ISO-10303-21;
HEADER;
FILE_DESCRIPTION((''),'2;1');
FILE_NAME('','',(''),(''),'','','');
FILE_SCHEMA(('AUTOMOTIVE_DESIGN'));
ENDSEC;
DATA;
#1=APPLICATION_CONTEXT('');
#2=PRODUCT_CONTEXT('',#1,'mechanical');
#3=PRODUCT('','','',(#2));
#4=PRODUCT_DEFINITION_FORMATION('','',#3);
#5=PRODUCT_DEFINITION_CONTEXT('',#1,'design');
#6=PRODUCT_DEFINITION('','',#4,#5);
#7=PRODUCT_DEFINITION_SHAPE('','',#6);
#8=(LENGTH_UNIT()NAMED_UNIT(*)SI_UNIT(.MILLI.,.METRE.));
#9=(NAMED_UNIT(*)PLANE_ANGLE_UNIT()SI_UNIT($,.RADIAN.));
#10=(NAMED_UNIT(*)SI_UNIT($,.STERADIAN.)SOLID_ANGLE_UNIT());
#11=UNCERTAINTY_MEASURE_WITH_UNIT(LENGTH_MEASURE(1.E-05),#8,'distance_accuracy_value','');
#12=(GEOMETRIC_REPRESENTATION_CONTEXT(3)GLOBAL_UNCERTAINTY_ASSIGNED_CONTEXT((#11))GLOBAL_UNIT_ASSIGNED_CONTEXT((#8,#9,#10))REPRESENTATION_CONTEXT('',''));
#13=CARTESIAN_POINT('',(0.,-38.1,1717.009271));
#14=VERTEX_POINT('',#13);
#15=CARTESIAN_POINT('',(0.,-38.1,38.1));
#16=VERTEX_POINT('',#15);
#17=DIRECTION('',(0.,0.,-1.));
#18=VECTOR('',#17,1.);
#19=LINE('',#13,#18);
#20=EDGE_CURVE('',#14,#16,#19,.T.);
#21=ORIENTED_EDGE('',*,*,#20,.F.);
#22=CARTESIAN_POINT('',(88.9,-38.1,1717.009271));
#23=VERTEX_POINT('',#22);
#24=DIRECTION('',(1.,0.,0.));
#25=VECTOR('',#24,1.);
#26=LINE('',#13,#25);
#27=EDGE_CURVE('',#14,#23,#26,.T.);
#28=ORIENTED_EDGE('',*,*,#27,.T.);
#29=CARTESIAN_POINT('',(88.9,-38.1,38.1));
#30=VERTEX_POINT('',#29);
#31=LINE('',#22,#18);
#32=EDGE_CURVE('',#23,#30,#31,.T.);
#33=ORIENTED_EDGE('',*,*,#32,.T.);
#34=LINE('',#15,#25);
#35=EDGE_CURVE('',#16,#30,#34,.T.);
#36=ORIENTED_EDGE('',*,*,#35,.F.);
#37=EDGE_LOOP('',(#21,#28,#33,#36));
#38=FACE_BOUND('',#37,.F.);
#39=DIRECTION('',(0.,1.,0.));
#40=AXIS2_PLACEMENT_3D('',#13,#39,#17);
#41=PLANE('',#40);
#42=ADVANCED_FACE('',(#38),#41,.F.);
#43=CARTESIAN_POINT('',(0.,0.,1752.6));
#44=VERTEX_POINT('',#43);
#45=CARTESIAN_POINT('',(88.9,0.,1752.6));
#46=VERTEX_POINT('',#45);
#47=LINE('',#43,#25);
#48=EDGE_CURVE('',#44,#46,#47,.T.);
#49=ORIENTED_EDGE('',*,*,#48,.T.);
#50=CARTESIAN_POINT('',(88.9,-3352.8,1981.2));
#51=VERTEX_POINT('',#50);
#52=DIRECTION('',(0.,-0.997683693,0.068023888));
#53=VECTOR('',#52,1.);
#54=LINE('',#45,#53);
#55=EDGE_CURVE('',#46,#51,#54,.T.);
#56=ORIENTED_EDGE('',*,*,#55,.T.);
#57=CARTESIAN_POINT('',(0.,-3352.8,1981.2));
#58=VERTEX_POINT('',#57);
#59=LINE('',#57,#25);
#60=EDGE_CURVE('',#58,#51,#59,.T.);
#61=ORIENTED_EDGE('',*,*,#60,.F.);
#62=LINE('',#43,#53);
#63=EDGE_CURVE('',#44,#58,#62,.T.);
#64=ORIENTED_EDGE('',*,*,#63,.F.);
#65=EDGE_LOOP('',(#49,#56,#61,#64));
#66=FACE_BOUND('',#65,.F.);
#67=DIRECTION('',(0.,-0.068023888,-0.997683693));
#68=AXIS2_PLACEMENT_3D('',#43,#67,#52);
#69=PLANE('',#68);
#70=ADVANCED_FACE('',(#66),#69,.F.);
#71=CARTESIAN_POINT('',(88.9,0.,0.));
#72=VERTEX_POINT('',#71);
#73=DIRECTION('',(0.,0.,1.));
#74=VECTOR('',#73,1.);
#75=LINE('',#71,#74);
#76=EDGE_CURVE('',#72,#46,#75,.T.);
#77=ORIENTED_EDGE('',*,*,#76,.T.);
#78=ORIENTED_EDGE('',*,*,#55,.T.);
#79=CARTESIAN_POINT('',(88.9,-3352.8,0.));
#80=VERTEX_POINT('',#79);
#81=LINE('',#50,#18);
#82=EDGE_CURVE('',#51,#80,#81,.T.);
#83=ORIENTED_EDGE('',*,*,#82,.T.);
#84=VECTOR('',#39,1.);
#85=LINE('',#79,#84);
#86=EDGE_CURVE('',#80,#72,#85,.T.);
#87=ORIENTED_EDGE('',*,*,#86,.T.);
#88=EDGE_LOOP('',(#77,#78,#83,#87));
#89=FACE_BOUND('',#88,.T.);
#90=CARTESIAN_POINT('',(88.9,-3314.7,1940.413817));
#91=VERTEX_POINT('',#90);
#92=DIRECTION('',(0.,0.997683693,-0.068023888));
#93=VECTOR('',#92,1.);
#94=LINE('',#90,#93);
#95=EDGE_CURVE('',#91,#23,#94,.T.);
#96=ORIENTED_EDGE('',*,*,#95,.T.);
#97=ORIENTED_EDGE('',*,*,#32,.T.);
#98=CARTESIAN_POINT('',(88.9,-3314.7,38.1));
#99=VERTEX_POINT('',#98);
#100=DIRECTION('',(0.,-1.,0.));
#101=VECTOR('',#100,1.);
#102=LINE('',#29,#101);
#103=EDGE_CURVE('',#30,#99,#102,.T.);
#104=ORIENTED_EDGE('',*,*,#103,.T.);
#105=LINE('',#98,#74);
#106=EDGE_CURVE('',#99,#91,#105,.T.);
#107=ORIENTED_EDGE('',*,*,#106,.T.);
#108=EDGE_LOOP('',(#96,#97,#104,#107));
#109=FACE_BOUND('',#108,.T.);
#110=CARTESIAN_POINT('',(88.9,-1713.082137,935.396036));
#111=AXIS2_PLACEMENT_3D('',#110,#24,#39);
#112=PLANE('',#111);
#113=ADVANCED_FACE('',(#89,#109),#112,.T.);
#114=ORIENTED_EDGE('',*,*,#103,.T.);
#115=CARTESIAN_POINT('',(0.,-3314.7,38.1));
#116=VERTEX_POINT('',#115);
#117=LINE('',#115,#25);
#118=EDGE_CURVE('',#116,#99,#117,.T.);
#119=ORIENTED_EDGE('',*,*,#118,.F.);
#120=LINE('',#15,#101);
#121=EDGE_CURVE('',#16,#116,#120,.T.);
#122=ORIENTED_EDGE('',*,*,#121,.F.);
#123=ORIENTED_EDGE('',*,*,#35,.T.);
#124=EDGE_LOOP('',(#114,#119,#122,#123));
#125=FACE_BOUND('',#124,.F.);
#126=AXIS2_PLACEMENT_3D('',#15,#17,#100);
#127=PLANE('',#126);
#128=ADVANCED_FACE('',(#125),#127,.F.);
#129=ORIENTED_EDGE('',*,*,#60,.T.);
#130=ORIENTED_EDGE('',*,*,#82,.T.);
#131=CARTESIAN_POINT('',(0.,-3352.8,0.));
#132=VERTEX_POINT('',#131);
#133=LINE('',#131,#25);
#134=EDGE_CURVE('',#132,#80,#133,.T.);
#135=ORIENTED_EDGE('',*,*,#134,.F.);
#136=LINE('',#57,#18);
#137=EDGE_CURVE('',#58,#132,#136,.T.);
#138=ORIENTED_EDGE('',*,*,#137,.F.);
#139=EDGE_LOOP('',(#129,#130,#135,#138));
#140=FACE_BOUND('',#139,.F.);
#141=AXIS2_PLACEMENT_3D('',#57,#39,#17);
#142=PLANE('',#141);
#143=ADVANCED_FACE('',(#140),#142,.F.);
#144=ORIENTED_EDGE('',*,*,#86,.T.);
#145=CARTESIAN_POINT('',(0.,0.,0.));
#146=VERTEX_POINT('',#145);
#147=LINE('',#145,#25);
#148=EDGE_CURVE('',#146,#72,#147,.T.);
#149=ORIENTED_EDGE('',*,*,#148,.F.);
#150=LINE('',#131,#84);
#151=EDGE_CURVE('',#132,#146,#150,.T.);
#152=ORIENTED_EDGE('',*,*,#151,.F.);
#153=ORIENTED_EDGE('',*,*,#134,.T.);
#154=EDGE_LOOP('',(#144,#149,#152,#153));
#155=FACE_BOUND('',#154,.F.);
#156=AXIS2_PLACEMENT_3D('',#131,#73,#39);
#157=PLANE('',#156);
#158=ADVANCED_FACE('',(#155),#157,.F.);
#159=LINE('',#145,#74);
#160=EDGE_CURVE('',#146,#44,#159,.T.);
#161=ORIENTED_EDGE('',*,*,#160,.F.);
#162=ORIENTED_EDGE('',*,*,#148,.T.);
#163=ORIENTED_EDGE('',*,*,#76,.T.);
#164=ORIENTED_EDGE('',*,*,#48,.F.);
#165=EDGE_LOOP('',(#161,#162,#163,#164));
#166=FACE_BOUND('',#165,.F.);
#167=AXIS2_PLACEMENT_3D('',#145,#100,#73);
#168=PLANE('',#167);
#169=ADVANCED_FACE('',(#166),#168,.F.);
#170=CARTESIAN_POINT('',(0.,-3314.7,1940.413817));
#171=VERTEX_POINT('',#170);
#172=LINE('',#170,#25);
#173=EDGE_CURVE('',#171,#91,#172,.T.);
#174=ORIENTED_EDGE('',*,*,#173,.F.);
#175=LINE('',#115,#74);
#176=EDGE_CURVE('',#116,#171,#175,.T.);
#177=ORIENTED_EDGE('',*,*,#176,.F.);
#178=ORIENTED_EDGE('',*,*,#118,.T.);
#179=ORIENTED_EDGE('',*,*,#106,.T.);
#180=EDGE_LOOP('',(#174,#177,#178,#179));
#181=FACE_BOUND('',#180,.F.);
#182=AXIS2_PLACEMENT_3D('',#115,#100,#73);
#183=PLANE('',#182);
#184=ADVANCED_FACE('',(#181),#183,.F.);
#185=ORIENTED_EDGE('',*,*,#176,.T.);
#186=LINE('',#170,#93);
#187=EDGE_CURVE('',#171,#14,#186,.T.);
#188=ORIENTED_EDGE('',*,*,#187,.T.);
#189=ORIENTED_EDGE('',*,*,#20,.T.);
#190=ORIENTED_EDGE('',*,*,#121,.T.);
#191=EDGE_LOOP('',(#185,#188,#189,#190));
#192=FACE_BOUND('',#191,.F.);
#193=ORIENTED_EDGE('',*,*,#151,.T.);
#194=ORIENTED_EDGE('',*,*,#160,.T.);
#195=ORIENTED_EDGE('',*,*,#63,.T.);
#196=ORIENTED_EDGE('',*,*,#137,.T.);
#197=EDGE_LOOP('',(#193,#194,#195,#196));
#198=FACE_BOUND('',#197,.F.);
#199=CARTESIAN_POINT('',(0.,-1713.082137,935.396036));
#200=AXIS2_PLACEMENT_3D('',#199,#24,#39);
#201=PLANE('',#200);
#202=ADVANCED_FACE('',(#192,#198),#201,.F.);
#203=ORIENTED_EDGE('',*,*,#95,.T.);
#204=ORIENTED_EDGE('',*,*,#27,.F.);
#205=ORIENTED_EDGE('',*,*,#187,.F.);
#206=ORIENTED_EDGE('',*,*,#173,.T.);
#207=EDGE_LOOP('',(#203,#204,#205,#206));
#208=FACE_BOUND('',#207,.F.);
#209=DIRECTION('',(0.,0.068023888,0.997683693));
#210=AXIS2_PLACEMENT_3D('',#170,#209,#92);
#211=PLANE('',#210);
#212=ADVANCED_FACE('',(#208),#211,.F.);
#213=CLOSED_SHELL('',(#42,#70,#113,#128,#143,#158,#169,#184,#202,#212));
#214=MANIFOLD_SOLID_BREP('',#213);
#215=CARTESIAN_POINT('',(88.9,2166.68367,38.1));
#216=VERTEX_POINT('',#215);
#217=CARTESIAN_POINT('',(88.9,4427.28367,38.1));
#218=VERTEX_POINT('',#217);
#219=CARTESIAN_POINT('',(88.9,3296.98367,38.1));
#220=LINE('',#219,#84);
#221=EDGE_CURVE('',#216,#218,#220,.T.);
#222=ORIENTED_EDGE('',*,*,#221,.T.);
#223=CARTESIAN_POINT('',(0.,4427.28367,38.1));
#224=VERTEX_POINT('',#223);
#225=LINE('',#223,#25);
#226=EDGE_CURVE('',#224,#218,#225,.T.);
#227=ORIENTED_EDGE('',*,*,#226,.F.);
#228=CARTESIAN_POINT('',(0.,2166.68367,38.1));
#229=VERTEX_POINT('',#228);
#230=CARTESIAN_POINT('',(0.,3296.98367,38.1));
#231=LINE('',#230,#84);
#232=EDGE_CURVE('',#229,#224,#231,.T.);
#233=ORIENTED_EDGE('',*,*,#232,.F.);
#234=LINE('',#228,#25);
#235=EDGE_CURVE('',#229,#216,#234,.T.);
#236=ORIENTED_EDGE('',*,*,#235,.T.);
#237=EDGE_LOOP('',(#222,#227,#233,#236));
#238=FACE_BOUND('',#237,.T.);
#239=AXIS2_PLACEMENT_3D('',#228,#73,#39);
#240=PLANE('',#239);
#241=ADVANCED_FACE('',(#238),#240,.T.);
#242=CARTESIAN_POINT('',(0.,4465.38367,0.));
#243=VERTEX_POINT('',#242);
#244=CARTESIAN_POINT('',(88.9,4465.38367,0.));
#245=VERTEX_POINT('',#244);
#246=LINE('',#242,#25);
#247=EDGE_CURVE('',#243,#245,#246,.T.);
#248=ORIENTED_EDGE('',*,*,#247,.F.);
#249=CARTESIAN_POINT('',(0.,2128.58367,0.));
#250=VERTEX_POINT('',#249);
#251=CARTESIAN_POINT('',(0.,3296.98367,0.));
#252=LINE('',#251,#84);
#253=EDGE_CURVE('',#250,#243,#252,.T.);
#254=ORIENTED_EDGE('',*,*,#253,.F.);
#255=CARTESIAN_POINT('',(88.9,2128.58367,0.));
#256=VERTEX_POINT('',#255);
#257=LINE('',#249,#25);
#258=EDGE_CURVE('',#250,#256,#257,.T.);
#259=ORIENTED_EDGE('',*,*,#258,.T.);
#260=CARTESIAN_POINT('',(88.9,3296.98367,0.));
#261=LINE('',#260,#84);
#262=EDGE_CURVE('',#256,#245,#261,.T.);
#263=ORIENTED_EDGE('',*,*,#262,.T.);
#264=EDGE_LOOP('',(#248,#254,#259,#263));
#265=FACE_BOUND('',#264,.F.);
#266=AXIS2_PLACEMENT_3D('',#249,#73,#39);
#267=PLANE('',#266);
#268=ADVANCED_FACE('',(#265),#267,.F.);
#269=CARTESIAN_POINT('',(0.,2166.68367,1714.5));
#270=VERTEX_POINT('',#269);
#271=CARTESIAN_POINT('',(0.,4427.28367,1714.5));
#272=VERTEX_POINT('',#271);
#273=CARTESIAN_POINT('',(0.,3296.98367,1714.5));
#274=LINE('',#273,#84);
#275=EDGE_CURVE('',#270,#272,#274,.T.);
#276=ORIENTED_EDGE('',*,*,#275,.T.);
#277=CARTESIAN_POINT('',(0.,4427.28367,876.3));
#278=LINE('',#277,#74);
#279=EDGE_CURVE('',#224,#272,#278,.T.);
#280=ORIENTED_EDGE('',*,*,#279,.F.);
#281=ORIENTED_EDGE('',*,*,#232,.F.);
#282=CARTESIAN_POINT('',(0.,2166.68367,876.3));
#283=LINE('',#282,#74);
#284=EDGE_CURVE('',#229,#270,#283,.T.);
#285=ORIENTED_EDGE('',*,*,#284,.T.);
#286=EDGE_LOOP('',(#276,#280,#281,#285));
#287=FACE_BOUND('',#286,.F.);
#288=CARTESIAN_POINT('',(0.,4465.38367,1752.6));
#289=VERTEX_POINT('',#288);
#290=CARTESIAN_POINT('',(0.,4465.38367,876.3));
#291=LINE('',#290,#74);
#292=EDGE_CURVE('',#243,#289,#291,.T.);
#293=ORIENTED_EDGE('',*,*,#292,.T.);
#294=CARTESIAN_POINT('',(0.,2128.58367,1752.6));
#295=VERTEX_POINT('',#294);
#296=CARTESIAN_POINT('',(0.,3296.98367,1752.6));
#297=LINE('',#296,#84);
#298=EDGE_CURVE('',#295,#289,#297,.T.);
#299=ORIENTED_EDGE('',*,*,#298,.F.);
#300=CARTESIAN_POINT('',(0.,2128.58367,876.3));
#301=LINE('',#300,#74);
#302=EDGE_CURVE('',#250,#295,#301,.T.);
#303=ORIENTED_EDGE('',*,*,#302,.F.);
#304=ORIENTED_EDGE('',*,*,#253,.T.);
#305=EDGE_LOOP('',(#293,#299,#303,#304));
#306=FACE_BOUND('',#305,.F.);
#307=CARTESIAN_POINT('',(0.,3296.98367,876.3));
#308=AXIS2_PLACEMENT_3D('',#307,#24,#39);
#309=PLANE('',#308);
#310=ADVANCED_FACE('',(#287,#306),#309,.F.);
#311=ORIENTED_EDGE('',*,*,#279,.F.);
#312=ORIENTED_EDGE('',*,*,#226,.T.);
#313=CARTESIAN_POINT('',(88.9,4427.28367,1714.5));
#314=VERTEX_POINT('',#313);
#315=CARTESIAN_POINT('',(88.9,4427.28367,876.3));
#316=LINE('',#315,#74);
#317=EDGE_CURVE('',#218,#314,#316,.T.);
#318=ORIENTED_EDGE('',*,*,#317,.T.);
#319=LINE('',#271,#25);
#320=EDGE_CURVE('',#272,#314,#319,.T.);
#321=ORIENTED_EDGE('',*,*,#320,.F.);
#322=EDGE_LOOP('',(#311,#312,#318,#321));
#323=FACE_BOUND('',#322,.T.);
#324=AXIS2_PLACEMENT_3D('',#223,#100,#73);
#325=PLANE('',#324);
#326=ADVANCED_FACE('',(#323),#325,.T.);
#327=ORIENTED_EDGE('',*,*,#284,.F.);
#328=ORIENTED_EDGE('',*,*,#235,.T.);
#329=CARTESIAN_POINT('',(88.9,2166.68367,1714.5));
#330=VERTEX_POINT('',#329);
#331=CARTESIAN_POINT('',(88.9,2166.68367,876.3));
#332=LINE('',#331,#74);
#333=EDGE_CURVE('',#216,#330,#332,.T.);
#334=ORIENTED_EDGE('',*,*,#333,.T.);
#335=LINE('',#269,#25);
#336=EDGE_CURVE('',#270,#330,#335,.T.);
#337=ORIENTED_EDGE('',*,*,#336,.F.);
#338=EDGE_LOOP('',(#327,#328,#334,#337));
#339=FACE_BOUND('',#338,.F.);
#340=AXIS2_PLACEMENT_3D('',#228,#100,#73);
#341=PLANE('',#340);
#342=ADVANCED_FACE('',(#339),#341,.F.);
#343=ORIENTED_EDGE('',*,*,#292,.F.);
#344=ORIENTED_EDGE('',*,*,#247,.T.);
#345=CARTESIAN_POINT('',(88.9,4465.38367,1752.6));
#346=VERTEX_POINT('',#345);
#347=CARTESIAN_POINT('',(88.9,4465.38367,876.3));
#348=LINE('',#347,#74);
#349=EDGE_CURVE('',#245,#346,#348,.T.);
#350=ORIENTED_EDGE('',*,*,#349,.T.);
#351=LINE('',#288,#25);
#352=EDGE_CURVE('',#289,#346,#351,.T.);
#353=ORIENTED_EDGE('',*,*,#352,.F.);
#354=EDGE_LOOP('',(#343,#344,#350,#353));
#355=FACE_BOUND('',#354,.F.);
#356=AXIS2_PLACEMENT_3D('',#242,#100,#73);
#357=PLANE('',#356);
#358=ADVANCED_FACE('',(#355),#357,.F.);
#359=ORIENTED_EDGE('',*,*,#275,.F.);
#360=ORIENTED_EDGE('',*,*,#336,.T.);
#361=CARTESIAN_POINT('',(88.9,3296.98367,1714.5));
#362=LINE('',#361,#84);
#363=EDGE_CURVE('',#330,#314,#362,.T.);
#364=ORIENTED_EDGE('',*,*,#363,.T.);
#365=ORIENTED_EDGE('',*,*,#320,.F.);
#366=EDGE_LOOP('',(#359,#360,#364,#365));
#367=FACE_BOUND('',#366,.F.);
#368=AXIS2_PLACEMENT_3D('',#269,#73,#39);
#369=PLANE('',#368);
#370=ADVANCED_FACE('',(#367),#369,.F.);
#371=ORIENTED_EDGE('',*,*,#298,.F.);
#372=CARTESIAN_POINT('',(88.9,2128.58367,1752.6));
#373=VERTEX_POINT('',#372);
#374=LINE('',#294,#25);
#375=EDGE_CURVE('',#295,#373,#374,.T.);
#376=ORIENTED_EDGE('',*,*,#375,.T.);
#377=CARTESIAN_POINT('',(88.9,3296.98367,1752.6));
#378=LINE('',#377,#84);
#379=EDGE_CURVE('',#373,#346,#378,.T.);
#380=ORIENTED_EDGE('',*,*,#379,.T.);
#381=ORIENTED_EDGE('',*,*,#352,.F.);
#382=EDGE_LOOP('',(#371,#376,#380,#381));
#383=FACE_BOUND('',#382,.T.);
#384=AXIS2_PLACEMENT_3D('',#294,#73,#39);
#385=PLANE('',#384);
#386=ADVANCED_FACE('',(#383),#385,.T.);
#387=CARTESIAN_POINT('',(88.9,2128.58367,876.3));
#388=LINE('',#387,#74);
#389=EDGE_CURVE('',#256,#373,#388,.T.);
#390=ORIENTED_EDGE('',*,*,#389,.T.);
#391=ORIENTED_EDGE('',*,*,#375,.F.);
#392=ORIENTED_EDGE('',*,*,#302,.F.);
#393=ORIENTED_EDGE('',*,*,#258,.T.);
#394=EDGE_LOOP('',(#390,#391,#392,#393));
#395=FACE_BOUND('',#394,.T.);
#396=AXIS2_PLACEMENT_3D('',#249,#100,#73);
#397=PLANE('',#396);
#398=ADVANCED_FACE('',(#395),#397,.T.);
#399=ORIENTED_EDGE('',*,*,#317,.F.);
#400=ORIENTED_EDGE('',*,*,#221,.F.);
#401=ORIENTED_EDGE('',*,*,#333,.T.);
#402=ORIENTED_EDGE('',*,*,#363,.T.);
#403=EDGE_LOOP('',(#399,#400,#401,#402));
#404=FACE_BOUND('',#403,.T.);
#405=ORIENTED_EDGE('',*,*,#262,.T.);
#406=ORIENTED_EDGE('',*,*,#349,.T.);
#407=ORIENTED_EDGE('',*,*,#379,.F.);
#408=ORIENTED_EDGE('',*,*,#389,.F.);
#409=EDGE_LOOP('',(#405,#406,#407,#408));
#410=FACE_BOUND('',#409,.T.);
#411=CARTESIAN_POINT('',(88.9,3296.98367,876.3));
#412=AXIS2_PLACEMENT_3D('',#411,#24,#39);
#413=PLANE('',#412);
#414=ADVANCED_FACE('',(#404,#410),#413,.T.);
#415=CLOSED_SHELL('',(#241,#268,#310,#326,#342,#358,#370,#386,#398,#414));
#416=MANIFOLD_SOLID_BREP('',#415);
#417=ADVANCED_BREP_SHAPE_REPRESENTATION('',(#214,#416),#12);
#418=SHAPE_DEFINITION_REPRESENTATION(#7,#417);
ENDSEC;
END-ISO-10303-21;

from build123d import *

# Parameters (mm, degrees)
F0_W     = 2336.8
F0_H     = 1752.6
F0_W_2   = 2260.6
F0_H_2   = 1676.4
F1_DEPTH = 88.9


with BuildPart() as f1:
    # F0 (on Right) → F1 (new body)
    with BuildSketch(Plane.YZ):
        Polygon((-3352.8, 1981.2), (-3352.8, 0), (0, 0), (0, 1752.6), align=None)
        Polygon((-3314.7, 38.1), (-3314.7, 1940.413817), (-38.1, 1717.009271), (-38.1, 38.1), align=None, mode=Mode.SUBTRACT)
        with Locations((3296.98367, 876.3)):
            Rectangle(F0_W, F0_H)
        with Locations((3296.98367, 876.3)):
            Rectangle(F0_W_2, F0_H_2, mode=Mode.SUBTRACT)
    extrude(amount=F1_DEPTH)


solid = f1.part
